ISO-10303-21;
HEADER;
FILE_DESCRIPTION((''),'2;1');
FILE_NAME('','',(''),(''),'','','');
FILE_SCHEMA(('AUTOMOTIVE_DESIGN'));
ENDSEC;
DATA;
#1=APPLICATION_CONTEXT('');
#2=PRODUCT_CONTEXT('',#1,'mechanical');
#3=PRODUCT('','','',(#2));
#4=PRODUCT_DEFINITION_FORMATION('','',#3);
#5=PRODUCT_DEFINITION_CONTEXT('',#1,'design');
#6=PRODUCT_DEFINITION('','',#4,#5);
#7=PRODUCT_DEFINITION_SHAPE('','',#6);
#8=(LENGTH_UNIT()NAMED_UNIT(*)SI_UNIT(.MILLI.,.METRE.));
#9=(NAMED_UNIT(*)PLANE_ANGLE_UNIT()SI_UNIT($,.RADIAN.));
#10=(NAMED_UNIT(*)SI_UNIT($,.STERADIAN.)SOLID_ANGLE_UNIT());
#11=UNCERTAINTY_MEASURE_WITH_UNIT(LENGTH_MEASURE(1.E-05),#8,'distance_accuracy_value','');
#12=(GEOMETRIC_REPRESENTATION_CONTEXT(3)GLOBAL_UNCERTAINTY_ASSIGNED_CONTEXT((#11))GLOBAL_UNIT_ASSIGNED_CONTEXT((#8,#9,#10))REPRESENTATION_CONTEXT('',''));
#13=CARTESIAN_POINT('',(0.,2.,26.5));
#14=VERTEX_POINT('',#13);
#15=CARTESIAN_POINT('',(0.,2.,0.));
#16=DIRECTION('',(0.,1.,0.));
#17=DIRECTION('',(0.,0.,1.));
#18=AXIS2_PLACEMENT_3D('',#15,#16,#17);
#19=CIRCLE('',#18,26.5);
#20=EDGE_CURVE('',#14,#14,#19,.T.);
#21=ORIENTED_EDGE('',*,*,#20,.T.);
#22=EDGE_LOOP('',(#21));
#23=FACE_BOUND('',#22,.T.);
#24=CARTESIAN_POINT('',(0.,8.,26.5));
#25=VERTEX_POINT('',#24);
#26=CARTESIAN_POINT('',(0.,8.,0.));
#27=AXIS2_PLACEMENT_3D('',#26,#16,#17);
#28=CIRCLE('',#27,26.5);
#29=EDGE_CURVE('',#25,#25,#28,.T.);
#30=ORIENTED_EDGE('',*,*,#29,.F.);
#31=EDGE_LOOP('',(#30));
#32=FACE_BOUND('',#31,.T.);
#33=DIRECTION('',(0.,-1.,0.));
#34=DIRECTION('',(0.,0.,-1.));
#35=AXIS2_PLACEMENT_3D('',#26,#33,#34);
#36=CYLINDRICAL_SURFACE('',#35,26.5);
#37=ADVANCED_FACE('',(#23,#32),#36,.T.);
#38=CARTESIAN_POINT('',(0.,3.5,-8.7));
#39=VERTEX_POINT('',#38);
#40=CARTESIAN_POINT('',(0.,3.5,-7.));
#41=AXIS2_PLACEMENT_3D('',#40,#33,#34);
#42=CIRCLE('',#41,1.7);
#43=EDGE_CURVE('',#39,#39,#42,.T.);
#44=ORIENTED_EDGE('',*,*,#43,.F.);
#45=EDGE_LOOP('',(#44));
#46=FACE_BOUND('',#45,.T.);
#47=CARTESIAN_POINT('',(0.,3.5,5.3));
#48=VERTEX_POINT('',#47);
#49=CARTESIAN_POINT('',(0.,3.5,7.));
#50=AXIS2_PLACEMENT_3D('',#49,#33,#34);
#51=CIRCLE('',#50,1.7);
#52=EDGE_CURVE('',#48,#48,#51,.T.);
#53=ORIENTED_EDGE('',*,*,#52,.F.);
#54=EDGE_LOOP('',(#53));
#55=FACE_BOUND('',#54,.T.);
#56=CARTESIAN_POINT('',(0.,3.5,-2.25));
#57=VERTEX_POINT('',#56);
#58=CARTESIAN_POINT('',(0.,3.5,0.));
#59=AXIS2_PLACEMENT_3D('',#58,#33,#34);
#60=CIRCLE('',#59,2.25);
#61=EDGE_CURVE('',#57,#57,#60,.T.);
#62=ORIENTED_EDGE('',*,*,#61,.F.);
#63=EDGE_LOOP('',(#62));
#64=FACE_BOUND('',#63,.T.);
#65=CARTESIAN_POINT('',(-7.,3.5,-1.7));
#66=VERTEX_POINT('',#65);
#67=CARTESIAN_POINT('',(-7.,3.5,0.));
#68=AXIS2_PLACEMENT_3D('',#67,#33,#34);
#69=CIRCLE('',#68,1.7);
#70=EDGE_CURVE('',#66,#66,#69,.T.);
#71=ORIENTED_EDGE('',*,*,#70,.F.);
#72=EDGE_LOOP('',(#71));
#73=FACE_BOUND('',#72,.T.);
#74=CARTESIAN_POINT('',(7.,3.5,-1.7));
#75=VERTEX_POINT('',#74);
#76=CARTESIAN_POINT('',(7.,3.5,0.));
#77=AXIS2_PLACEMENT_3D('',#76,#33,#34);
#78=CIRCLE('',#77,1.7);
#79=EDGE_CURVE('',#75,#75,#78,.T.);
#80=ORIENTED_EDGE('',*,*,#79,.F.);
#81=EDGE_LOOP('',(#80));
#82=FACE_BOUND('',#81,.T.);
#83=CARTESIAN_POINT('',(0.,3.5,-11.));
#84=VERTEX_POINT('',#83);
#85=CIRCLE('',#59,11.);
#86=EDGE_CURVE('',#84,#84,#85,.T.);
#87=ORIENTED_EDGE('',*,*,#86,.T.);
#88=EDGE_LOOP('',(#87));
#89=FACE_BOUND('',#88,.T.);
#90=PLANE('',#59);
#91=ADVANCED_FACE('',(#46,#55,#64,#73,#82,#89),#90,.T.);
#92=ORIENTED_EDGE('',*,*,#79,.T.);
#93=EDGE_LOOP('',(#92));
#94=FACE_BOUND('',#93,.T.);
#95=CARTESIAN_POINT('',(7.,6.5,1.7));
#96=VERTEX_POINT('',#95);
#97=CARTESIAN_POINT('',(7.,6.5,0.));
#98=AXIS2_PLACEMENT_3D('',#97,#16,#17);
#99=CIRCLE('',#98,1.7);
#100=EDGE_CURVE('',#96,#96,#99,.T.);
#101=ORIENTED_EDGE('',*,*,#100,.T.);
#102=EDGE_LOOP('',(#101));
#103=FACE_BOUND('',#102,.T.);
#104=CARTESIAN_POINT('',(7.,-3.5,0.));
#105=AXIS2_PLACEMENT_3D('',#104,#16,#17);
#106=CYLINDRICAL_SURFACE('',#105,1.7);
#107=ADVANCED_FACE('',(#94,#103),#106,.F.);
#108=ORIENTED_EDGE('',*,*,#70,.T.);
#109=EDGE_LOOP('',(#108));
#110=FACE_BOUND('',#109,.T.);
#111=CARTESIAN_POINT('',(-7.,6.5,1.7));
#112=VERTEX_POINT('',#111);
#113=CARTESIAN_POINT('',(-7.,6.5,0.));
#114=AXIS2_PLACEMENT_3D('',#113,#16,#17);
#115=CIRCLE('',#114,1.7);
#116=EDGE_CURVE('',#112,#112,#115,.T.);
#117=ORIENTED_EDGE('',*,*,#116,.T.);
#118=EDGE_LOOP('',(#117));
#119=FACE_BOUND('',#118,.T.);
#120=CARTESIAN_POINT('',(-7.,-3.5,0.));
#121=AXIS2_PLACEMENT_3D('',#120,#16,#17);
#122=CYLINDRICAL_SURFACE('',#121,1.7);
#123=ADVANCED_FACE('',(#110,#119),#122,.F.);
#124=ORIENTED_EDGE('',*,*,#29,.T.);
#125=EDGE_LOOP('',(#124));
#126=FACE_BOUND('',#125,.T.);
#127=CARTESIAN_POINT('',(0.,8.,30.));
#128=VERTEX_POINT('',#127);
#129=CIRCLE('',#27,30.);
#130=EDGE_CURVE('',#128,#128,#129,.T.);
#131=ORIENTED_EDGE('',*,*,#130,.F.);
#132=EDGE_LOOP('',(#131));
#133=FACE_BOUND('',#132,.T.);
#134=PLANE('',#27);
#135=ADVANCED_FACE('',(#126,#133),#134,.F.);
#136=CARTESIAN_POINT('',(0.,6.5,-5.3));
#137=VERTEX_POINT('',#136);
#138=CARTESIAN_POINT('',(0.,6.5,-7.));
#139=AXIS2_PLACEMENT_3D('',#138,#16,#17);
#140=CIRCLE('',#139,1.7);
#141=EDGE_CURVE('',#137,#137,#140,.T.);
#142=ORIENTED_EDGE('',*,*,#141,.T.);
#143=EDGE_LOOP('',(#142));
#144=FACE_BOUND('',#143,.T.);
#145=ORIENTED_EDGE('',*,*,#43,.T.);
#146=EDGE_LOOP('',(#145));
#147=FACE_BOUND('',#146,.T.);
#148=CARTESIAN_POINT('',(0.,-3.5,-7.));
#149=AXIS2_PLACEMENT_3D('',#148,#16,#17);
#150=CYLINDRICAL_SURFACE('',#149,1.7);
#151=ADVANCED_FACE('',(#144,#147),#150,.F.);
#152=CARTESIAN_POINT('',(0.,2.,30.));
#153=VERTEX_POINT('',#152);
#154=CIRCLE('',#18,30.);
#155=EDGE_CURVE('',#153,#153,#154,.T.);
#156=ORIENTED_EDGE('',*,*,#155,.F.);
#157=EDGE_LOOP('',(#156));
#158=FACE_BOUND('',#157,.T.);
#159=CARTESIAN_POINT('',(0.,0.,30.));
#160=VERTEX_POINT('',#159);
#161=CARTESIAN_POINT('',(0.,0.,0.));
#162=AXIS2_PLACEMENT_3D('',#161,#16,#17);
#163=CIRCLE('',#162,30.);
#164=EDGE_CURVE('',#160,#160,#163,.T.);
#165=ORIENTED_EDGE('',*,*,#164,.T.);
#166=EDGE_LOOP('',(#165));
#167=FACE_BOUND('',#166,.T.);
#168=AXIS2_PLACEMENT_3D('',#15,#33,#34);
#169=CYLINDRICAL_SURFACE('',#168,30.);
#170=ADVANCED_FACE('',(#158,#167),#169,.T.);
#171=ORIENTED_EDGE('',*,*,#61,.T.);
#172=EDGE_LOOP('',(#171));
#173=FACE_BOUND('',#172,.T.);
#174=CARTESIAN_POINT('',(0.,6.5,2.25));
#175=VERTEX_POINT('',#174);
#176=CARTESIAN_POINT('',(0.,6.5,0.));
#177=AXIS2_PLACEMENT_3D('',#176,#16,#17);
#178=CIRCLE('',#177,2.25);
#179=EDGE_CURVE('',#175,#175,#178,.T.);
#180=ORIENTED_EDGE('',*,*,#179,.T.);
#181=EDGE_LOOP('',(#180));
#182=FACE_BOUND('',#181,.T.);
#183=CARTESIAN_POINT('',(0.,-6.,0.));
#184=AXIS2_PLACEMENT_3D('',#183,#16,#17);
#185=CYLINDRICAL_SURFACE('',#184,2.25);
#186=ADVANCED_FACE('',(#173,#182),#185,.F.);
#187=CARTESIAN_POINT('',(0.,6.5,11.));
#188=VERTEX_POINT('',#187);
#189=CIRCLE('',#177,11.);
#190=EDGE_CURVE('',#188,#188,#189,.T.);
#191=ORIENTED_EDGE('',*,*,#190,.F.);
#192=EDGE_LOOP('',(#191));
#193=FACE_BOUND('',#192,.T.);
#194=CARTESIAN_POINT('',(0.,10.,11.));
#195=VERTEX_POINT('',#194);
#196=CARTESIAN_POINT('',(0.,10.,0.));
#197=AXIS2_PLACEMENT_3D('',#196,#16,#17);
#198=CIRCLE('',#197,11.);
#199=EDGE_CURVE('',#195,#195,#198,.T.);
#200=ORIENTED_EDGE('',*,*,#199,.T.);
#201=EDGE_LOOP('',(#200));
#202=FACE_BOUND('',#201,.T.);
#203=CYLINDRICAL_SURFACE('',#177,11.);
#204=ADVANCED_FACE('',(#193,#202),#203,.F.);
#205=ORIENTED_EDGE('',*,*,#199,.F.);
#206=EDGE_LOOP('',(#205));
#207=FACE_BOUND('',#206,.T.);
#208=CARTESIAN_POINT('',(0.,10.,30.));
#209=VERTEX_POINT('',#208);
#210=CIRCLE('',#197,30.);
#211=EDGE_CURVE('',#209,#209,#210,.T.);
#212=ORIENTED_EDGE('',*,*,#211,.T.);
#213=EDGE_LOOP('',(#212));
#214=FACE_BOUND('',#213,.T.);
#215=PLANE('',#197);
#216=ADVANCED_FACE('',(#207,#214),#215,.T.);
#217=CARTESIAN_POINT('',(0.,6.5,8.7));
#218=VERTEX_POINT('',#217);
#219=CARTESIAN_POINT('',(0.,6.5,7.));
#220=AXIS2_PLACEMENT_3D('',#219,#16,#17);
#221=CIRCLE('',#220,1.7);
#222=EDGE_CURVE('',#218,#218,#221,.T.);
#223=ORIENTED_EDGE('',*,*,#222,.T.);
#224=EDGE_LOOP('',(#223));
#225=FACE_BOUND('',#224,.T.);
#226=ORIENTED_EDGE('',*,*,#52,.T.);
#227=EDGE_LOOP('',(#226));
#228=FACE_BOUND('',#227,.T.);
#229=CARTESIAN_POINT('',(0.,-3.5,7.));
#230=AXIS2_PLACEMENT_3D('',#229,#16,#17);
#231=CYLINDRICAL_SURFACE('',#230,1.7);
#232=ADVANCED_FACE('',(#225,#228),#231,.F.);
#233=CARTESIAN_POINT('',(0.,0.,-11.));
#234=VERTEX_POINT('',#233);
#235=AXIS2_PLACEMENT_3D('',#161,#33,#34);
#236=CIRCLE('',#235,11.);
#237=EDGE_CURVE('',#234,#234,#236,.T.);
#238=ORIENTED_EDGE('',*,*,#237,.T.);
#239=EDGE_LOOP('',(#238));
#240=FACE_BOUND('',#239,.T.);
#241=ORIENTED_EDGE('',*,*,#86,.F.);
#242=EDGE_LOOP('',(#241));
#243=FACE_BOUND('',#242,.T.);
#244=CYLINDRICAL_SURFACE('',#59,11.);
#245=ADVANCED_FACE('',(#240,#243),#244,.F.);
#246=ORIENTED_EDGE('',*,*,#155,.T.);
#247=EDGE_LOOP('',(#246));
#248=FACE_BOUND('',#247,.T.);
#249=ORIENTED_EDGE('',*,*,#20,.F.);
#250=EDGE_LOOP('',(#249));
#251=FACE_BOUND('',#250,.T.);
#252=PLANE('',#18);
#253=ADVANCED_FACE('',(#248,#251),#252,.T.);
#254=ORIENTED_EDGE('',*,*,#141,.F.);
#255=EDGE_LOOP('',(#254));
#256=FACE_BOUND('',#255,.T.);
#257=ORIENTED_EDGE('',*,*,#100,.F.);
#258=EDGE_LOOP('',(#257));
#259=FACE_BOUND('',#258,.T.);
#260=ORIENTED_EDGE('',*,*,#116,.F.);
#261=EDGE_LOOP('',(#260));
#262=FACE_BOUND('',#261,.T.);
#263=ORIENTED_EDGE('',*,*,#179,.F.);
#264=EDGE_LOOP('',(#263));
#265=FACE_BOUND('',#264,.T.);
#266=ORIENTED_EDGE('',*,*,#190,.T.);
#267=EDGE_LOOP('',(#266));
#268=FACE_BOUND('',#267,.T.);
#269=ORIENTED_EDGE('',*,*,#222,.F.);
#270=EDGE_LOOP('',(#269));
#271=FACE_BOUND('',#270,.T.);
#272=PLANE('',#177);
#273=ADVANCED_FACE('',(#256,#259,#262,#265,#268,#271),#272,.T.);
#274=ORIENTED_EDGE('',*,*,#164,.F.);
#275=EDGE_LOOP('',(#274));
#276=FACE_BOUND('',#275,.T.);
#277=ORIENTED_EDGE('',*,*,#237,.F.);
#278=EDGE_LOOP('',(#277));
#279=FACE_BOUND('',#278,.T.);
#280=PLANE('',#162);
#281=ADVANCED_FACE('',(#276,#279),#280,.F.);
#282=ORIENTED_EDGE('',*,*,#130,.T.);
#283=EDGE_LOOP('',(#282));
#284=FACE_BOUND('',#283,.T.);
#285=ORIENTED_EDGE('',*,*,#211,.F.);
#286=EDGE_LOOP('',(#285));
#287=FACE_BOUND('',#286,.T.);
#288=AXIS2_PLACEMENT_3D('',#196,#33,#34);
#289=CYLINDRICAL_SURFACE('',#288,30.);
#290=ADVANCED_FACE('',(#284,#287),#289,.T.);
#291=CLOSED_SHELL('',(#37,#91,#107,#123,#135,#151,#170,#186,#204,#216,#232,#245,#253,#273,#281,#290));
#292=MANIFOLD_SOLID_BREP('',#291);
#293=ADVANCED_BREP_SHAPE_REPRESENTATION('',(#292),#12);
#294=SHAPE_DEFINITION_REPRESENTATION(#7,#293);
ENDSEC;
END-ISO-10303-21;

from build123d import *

# Parameters (mm, degrees)
SKETCH1_R           = 30
EXTRUDE_C_DEPTH     = 2
SKETCH2_R           = 26.5
BOSS_EXTRUDE2_DEPTH = 6
SKETCH3_R           = 30
BOSS_EXTRUDE3_DEPTH = 2
SKETCH8_R           = 11
CUT_EXTRUDE2_DEPTH  = 3.5
SKETCH9_R           = 11
CUT_EXTRUDE3_DEPTH  = 3.5
SKETCH10_R          = 2.25
CUT_EXTRUDE4_DEPTH  = 12.5
SKETCH12_R          = 1.7
CUT_EXTRUDE5_DEPTH  = 10


with BuildPart() as part:
    # Sketch1 → Extrude c (new body)
    with BuildSketch(Plane(origin=(0, 0, 0), x_dir=(1, 0, 0), z_dir=(0, 1, 0))):
        Circle(SKETCH1_R)
    extrude(amount=EXTRUDE_C_DEPTH)

    # Sketch2 → Boss-Extrude2 (add)
    with BuildSketch(Plane(origin=(0, 2, 0), x_dir=(1, 0, 0), z_dir=(0, 1, 0))):
        Circle(SKETCH2_R)
    extrude(amount=BOSS_EXTRUDE2_DEPTH)

    # Sketch3 → Boss-Extrude3 (add)
    with BuildSketch(Plane(origin=(0, 8, 0), x_dir=(1, 0, 0), z_dir=(0, 1, 0))):
        Circle(SKETCH3_R)
    extrude(amount=BOSS_EXTRUDE3_DEPTH)

    # Sketch8 → Cut-Extrude2 (cut)
    with BuildSketch(Plane.XZ):
        Circle(SKETCH8_R)
    extrude(amount=-CUT_EXTRUDE2_DEPTH, mode=Mode.SUBTRACT)

    # Sketch9 → Cut-Extrude3 (cut)
    with BuildSketch(Plane(origin=(0, 10, 0), x_dir=(1, 0, 0), z_dir=(0, 1, 0))):
        Circle(SKETCH9_R)
    extrude(amount=-CUT_EXTRUDE3_DEPTH, mode=Mode.SUBTRACT)

    # Sketch10 → Cut-Extrude4 (cut)
    with BuildSketch(Plane(origin=(0, 6.5, 0), x_dir=(1, 0, 0), z_dir=(0, 1, 0))):
        Circle(SKETCH10_R)
    extrude(amount=-CUT_EXTRUDE4_DEPTH, mode=Mode.SUBTRACT)

    # Sketch12 → Cut-Extrude5 (cut)
    with BuildSketch(Plane(origin=(0, 6.5, 0), x_dir=(1, 0, 0), z_dir=(0, 1, 0))):
        with Locations((0, 7)):
            Circle(SKETCH12_R)
        with Locations((7, 0)):
            Circle(SKETCH12_R)
        with Locations((0, -7)):
            Circle(SKETCH12_R)
        with Locations((-7, 0)):
            Circle(SKETCH12_R)
    extrude(amount=-CUT_EXTRUDE5_DEPTH, mode=Mode.SUBTRACT)


solid = part.part
